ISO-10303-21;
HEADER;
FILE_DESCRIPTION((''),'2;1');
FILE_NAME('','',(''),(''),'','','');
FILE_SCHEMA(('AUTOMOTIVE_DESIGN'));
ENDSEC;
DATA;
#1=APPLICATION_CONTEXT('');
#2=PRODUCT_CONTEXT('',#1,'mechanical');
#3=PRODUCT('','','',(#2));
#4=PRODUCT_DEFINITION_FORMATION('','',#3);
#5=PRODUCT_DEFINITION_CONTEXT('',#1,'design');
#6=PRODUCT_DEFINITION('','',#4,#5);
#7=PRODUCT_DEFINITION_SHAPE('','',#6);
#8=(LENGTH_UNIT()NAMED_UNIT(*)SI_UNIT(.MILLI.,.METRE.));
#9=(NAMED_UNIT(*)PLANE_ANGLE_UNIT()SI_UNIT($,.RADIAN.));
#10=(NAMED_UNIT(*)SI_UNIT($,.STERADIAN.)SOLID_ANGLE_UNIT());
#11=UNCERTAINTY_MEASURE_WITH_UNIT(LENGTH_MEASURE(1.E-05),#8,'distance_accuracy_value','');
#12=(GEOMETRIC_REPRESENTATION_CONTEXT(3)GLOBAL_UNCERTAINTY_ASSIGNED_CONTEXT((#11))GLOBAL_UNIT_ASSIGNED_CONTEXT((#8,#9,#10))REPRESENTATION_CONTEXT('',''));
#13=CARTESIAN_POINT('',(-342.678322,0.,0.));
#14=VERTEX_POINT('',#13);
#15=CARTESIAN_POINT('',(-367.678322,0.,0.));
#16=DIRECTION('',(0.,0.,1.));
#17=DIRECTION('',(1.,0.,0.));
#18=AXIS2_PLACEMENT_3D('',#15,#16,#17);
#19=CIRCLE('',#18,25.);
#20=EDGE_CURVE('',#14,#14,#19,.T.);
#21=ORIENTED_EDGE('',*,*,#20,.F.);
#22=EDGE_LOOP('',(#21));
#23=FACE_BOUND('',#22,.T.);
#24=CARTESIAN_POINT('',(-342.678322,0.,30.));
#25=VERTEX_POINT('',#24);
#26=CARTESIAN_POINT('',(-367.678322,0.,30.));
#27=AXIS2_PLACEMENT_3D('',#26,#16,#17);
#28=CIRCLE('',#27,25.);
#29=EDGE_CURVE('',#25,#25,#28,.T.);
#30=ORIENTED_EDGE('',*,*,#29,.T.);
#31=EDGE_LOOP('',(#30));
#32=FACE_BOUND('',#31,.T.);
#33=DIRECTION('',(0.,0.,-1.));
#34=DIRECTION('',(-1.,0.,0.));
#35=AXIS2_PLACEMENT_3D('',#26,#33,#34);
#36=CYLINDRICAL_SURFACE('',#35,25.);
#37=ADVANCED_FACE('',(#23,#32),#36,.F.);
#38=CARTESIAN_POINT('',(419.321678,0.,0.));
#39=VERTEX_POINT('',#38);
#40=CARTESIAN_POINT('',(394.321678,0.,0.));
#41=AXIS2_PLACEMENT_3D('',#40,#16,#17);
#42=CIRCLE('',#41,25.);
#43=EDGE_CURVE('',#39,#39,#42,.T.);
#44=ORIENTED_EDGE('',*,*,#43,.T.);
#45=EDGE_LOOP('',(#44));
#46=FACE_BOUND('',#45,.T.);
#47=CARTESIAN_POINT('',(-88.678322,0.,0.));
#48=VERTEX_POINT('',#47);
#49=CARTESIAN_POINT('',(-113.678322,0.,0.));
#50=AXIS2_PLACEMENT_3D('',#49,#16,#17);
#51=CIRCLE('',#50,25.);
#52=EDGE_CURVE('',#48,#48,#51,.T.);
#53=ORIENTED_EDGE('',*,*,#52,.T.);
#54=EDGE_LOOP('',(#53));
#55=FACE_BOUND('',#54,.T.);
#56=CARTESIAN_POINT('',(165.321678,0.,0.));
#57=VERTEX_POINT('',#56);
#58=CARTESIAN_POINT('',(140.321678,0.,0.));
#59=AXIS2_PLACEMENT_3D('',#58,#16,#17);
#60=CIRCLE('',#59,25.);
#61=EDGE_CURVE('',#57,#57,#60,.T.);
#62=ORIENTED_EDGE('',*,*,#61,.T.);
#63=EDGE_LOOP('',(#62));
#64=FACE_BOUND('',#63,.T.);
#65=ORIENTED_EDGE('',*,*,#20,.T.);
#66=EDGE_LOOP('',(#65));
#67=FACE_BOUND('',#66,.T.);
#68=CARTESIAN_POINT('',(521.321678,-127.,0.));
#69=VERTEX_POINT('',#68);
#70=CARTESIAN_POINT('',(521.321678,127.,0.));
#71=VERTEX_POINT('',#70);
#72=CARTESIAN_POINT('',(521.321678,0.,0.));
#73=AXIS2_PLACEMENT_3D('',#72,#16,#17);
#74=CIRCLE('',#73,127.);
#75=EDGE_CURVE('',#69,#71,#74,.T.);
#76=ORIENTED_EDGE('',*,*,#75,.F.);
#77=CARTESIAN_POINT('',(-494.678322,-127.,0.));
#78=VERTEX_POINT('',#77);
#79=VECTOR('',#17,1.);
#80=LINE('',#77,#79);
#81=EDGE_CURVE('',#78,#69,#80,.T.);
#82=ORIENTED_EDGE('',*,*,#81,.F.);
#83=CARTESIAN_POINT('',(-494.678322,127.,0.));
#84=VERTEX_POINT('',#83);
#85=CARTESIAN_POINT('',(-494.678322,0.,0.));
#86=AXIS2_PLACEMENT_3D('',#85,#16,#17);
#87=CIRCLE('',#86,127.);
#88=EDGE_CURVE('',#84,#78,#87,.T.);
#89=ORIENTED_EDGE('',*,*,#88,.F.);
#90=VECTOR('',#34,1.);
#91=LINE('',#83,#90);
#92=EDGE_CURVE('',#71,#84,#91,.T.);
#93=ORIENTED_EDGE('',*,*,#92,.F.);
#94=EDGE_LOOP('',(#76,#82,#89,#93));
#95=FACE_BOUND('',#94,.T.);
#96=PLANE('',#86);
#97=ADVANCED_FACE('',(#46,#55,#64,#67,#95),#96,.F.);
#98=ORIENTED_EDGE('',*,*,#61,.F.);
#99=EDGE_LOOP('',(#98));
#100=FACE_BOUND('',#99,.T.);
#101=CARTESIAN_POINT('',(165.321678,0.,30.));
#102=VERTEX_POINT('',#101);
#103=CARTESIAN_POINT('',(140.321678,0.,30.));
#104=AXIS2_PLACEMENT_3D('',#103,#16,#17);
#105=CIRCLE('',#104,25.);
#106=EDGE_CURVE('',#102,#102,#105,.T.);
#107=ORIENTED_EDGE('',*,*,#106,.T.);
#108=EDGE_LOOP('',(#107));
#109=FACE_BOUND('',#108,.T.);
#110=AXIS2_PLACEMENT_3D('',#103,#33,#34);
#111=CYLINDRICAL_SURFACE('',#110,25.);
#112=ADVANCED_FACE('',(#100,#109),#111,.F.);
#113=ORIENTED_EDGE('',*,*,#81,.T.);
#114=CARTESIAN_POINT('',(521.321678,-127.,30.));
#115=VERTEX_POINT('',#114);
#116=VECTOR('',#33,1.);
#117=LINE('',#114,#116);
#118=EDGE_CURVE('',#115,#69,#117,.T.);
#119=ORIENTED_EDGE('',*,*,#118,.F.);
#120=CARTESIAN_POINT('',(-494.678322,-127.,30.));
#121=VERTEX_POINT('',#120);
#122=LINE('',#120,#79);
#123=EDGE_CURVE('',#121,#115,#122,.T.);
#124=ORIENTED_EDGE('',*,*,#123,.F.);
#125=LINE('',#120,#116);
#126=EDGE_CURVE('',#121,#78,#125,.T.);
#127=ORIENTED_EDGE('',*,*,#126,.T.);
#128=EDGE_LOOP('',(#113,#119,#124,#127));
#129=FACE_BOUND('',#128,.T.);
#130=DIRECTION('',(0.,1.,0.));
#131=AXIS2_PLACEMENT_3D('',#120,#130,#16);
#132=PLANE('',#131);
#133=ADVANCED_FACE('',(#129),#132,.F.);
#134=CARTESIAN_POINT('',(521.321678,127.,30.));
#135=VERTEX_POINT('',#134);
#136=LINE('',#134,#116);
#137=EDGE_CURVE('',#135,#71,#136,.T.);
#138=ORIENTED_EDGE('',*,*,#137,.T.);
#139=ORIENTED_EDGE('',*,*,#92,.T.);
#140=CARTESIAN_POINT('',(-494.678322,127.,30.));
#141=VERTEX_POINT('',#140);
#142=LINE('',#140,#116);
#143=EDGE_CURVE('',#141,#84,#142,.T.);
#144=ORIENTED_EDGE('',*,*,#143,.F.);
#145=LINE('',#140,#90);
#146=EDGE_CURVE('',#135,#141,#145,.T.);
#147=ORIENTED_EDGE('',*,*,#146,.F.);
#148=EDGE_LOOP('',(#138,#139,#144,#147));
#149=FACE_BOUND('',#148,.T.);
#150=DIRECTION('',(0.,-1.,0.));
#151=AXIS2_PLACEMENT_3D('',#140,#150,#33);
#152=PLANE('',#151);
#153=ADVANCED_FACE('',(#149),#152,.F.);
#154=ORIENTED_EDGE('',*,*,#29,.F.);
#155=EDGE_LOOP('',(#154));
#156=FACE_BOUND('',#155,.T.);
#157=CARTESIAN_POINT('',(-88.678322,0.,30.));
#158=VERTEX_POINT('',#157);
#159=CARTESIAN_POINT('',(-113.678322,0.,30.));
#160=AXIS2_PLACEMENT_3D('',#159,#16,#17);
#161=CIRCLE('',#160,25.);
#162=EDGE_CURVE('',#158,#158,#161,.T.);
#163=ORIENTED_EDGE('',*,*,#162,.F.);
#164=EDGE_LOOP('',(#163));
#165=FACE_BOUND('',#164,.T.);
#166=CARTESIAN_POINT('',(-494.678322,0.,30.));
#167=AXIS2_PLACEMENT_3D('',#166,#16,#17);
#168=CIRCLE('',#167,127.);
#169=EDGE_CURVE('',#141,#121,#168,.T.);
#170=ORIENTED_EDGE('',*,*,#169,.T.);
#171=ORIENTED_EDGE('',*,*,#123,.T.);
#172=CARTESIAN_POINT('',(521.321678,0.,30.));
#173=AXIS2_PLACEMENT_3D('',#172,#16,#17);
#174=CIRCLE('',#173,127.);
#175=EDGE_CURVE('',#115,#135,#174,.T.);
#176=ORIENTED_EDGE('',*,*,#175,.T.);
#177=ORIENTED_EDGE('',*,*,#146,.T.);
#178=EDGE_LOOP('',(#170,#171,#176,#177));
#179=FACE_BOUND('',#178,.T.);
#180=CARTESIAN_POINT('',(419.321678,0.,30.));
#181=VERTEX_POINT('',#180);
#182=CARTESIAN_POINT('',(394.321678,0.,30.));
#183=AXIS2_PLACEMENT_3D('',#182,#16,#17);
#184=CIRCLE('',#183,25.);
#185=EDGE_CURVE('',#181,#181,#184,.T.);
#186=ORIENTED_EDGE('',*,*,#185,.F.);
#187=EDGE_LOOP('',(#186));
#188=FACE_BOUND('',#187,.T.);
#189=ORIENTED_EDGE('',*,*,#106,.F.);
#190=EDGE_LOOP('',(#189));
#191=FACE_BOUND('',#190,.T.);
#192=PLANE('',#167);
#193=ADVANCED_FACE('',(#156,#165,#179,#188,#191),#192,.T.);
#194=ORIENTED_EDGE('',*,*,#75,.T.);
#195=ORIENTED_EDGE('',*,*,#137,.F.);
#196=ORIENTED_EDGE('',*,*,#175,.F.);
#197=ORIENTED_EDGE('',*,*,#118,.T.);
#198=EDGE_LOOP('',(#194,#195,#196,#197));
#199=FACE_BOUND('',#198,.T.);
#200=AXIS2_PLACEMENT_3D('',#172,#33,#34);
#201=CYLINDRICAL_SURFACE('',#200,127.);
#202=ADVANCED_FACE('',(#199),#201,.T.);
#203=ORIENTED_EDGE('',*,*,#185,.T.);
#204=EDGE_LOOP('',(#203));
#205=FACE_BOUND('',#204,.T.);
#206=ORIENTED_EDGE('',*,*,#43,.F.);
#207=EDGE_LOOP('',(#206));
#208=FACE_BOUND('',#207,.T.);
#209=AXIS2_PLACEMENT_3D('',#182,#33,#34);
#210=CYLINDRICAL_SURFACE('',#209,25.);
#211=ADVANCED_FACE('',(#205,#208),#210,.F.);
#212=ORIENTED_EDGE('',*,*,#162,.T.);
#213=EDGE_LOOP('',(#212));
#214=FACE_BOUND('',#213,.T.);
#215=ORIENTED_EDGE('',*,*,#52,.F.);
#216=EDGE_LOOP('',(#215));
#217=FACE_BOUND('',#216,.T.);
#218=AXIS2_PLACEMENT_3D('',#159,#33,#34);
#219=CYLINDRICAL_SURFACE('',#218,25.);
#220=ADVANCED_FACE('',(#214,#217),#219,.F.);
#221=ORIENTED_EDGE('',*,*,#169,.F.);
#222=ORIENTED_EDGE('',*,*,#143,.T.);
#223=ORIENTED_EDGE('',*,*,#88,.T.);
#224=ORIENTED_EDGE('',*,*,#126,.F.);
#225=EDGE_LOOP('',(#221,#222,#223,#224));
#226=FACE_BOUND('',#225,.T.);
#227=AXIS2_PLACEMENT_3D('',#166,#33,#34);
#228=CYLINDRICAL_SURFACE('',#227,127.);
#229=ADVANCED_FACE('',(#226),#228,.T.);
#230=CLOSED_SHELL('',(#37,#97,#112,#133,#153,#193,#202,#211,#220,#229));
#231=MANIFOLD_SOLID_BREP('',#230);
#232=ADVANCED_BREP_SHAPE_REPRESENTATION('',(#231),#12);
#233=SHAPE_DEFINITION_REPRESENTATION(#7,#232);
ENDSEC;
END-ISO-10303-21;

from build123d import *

# Parameters (mm, degrees)
SKETCH1_R           = 25
BOSS_EXTRUDE1_DEPTH = 30


with BuildPart() as part:
    # Sketch1 → Boss-Extrude1 (new body)
    with BuildSketch(Plane.XY):
        with BuildLine():
            Line((-494.678321678, 127), (521.321678322, 127))
            ThreePointArc((521.321678322, 127), (648.321678322, 0), (521.321678322, -127))
            Line((521.321678322, -127), (-494.678321678, -127))
            ThreePointArc((-494.678321678, -127), (-621.678321678, 0), (-494.678321678, 127))
        make_face()
        with Locations((-367.678321678, 0)):
            Circle(SKETCH1_R, mode=Mode.SUBTRACT)
        with Locations((-113.678321678, 0)):
            Circle(SKETCH1_R, mode=Mode.SUBTRACT)
        with Locations((140.321678322, 0)):
            Circle(SKETCH1_R, mode=Mode.SUBTRACT)
        with Locations((394.321678322, 0)):
            Circle(SKETCH1_R, mode=Mode.SUBTRACT)
    extrude(amount=BOSS_EXTRUDE1_DEPTH)


solid = part.part
